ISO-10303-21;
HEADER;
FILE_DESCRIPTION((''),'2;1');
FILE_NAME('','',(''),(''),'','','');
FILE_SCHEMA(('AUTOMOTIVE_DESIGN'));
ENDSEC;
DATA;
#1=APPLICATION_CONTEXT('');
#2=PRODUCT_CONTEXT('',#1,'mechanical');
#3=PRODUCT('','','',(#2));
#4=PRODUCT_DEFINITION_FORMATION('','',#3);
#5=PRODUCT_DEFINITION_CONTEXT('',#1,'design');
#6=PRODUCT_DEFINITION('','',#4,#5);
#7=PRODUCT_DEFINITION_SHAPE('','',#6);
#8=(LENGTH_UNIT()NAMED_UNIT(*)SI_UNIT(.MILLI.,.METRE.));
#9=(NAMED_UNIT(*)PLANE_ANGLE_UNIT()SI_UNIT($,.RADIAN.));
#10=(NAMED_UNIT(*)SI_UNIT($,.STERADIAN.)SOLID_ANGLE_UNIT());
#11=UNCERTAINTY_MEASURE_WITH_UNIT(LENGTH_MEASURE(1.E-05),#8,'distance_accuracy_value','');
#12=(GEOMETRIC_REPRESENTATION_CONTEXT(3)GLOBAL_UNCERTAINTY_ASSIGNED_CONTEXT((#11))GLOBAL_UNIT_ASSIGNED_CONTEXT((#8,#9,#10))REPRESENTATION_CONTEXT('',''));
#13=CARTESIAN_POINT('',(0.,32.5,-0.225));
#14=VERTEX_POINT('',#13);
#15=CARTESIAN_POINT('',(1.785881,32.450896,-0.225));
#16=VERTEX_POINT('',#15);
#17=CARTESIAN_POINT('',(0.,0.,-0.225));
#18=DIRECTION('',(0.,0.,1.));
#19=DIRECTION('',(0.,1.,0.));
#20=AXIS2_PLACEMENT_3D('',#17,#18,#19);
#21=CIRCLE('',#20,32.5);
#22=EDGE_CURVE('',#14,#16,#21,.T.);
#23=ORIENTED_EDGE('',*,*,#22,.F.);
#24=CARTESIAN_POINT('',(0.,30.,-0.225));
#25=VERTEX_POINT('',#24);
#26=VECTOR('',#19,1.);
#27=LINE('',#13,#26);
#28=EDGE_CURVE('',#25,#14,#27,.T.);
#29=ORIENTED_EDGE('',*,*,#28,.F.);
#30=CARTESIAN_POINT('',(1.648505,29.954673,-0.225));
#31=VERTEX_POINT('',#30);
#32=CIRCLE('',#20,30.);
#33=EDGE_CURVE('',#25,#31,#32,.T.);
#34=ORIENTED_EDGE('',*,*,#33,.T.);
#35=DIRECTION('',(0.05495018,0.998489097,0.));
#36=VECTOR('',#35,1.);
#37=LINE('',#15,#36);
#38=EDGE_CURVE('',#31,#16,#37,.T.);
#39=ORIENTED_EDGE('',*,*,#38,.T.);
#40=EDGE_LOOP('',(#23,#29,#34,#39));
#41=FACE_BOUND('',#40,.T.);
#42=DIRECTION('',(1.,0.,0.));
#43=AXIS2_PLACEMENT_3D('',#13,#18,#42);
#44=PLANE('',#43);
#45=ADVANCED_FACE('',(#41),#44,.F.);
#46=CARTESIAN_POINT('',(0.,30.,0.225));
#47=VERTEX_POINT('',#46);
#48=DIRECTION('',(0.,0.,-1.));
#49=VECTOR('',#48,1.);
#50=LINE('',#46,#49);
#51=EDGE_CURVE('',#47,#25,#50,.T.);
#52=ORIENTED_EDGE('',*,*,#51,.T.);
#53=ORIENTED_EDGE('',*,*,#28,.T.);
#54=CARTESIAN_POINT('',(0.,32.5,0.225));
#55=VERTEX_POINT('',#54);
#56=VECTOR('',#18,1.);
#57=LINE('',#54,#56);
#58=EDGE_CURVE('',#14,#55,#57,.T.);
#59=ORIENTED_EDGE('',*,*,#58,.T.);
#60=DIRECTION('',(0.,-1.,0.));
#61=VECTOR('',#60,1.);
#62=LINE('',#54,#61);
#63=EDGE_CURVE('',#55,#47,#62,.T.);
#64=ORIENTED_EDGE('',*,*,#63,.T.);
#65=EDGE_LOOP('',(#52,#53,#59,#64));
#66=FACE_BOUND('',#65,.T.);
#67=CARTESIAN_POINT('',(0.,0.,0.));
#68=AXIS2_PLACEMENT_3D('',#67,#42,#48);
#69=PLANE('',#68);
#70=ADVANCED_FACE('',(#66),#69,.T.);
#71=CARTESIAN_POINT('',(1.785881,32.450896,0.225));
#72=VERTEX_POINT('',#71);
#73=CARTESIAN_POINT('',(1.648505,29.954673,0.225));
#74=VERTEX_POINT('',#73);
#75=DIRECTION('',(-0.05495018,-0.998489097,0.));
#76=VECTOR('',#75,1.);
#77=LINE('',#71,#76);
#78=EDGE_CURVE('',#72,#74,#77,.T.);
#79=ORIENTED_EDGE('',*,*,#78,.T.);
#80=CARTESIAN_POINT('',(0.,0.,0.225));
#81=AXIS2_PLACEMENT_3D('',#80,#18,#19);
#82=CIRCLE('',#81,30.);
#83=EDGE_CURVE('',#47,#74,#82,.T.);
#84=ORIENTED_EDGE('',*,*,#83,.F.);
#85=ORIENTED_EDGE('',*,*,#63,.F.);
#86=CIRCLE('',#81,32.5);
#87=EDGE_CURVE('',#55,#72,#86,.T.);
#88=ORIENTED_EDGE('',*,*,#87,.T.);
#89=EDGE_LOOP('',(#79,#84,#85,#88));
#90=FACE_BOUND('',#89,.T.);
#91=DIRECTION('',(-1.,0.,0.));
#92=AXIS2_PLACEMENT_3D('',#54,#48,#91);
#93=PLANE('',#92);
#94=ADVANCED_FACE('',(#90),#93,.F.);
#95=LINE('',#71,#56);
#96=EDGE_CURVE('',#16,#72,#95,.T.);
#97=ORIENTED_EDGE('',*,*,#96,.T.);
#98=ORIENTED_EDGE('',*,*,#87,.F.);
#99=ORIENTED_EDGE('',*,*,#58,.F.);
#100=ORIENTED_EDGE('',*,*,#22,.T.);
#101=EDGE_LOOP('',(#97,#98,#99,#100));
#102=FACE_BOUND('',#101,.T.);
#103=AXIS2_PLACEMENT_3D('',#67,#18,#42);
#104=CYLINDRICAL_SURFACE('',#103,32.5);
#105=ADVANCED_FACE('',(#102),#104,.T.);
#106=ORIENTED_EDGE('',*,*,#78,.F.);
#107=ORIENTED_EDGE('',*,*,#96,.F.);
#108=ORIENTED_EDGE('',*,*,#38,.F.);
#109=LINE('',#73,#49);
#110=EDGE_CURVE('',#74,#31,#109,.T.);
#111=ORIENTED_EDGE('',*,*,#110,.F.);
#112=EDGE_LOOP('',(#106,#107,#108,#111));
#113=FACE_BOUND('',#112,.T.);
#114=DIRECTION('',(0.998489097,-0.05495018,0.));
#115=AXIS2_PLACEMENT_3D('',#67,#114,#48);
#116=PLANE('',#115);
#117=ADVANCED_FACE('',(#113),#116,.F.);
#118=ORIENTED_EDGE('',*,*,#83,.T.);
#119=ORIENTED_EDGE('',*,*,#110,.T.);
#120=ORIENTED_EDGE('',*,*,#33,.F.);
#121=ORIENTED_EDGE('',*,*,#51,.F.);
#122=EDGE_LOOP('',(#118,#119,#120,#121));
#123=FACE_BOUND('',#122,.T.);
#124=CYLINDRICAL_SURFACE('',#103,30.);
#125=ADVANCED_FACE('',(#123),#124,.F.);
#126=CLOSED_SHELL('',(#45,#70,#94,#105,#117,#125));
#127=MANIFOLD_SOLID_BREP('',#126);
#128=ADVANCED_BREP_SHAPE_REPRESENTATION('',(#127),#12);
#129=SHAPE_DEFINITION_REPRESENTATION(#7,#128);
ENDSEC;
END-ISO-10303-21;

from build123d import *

# Parameters (mm, degrees)
SKETCH6_W = 0.45
SKETCH6_H = 2.5


with BuildPart() as part:
    # Sweep3: sweep along a path in Sketch5
    with BuildLine(Plane.XY) as sweep3_path:
        ThreePointArc((0, 32.5), (-0.893277901, -32.487721597), (1.785880847, 32.450895667))
    # Sketch6 → Sweep3 (sweep)
    with BuildSketch(Plane(origin=(0, 0, 0), x_dir=(0, 0, -1), z_dir=(1, 0, 0))):
        with Locations((0, 31.25)):
            Rectangle(SKETCH6_W, SKETCH6_H)
    sweep(path=sweep3_path.line)


solid = part.part
